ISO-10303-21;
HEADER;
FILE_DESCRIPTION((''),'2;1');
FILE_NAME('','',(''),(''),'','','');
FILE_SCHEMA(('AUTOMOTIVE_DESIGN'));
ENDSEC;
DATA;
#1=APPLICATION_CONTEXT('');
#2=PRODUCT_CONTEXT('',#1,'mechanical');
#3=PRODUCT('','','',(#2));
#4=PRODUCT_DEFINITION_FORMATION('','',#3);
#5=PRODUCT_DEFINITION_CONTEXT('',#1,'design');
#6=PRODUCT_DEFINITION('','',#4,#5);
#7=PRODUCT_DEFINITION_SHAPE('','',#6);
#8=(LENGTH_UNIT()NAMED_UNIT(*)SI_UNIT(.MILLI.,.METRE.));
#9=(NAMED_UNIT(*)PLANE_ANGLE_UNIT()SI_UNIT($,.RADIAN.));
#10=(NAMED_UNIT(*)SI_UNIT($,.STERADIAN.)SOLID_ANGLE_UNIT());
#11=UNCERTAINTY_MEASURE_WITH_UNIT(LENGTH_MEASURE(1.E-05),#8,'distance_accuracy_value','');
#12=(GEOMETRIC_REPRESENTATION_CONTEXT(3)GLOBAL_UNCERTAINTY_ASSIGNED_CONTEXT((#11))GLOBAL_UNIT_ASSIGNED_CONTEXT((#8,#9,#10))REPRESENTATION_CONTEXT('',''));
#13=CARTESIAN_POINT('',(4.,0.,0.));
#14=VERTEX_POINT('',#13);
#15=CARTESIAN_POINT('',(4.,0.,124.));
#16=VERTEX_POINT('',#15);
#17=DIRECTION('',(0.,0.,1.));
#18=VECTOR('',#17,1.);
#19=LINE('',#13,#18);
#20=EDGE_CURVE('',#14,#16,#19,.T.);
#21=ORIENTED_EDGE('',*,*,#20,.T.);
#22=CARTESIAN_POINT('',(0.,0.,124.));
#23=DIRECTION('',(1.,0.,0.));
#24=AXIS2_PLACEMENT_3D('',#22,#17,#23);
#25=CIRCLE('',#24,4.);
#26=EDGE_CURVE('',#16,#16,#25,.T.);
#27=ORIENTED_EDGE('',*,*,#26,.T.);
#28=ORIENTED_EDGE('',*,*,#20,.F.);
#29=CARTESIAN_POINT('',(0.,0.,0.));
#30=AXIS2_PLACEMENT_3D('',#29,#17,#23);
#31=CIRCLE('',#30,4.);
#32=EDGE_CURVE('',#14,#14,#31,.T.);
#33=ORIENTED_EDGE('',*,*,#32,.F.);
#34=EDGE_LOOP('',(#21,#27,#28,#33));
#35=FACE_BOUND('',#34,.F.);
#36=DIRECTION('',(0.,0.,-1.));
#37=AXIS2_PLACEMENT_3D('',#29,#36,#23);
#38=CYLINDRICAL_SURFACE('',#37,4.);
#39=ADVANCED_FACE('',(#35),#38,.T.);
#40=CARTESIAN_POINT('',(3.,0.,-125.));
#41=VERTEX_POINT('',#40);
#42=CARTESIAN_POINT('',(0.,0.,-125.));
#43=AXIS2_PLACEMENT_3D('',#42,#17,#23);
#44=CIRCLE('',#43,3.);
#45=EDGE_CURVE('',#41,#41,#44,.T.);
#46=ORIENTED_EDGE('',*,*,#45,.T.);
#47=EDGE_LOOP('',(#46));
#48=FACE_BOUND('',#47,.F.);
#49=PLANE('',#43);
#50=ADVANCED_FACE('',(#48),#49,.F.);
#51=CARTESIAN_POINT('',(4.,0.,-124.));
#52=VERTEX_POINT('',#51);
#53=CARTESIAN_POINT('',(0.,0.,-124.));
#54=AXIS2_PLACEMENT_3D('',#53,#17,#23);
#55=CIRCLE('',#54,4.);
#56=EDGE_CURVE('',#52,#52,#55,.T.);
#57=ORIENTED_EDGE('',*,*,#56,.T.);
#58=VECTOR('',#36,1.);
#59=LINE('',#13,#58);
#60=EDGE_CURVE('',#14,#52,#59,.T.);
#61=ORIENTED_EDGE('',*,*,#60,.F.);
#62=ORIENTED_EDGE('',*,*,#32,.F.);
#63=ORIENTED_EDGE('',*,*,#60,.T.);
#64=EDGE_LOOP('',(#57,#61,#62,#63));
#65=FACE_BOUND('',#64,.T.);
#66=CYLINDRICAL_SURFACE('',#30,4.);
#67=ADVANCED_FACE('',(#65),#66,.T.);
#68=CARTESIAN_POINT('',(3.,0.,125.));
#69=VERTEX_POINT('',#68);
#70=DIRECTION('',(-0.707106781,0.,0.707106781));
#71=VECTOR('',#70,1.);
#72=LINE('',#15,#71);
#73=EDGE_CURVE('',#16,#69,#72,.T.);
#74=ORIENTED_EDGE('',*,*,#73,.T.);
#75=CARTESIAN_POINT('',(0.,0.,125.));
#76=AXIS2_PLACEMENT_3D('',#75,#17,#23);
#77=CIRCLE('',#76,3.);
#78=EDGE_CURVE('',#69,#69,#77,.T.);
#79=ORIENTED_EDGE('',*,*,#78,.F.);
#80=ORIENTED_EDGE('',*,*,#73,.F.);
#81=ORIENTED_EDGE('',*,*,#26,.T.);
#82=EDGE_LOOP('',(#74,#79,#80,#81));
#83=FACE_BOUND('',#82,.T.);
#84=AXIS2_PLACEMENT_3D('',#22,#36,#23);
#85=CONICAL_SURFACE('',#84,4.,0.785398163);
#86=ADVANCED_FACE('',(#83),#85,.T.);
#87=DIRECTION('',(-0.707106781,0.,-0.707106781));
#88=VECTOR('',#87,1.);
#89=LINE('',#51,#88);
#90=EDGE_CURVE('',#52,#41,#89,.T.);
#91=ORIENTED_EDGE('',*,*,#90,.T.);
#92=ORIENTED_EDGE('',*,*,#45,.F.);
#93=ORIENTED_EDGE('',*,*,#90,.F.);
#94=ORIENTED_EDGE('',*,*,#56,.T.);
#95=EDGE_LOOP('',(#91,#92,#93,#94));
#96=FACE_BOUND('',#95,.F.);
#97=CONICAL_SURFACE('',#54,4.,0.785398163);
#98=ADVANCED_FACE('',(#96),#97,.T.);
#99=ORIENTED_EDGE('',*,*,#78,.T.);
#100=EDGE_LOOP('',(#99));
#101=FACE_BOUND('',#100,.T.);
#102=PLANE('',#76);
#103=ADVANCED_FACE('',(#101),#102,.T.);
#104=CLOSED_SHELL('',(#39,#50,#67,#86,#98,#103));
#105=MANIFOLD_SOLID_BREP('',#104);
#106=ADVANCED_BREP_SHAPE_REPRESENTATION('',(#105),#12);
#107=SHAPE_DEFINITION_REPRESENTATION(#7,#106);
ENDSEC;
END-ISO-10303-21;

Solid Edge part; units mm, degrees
sketch "Sketch1" plane through (0, 0, 0) normal (0, 0, 1) x (1, 0, 0)
  circle A0 centre (0, 0) radius 4
  dimension "D1" = 8
extrude "Protrusion1" add sketch "Sketch1" along normal mid plane 250
chamfer "chamfers" distance 1 angle 45 2 edges at (-4, 0, 125) (-4, 0, -125)
cosmetic_thread "Thread1" size "M8"
properties material "Stainless steel"
